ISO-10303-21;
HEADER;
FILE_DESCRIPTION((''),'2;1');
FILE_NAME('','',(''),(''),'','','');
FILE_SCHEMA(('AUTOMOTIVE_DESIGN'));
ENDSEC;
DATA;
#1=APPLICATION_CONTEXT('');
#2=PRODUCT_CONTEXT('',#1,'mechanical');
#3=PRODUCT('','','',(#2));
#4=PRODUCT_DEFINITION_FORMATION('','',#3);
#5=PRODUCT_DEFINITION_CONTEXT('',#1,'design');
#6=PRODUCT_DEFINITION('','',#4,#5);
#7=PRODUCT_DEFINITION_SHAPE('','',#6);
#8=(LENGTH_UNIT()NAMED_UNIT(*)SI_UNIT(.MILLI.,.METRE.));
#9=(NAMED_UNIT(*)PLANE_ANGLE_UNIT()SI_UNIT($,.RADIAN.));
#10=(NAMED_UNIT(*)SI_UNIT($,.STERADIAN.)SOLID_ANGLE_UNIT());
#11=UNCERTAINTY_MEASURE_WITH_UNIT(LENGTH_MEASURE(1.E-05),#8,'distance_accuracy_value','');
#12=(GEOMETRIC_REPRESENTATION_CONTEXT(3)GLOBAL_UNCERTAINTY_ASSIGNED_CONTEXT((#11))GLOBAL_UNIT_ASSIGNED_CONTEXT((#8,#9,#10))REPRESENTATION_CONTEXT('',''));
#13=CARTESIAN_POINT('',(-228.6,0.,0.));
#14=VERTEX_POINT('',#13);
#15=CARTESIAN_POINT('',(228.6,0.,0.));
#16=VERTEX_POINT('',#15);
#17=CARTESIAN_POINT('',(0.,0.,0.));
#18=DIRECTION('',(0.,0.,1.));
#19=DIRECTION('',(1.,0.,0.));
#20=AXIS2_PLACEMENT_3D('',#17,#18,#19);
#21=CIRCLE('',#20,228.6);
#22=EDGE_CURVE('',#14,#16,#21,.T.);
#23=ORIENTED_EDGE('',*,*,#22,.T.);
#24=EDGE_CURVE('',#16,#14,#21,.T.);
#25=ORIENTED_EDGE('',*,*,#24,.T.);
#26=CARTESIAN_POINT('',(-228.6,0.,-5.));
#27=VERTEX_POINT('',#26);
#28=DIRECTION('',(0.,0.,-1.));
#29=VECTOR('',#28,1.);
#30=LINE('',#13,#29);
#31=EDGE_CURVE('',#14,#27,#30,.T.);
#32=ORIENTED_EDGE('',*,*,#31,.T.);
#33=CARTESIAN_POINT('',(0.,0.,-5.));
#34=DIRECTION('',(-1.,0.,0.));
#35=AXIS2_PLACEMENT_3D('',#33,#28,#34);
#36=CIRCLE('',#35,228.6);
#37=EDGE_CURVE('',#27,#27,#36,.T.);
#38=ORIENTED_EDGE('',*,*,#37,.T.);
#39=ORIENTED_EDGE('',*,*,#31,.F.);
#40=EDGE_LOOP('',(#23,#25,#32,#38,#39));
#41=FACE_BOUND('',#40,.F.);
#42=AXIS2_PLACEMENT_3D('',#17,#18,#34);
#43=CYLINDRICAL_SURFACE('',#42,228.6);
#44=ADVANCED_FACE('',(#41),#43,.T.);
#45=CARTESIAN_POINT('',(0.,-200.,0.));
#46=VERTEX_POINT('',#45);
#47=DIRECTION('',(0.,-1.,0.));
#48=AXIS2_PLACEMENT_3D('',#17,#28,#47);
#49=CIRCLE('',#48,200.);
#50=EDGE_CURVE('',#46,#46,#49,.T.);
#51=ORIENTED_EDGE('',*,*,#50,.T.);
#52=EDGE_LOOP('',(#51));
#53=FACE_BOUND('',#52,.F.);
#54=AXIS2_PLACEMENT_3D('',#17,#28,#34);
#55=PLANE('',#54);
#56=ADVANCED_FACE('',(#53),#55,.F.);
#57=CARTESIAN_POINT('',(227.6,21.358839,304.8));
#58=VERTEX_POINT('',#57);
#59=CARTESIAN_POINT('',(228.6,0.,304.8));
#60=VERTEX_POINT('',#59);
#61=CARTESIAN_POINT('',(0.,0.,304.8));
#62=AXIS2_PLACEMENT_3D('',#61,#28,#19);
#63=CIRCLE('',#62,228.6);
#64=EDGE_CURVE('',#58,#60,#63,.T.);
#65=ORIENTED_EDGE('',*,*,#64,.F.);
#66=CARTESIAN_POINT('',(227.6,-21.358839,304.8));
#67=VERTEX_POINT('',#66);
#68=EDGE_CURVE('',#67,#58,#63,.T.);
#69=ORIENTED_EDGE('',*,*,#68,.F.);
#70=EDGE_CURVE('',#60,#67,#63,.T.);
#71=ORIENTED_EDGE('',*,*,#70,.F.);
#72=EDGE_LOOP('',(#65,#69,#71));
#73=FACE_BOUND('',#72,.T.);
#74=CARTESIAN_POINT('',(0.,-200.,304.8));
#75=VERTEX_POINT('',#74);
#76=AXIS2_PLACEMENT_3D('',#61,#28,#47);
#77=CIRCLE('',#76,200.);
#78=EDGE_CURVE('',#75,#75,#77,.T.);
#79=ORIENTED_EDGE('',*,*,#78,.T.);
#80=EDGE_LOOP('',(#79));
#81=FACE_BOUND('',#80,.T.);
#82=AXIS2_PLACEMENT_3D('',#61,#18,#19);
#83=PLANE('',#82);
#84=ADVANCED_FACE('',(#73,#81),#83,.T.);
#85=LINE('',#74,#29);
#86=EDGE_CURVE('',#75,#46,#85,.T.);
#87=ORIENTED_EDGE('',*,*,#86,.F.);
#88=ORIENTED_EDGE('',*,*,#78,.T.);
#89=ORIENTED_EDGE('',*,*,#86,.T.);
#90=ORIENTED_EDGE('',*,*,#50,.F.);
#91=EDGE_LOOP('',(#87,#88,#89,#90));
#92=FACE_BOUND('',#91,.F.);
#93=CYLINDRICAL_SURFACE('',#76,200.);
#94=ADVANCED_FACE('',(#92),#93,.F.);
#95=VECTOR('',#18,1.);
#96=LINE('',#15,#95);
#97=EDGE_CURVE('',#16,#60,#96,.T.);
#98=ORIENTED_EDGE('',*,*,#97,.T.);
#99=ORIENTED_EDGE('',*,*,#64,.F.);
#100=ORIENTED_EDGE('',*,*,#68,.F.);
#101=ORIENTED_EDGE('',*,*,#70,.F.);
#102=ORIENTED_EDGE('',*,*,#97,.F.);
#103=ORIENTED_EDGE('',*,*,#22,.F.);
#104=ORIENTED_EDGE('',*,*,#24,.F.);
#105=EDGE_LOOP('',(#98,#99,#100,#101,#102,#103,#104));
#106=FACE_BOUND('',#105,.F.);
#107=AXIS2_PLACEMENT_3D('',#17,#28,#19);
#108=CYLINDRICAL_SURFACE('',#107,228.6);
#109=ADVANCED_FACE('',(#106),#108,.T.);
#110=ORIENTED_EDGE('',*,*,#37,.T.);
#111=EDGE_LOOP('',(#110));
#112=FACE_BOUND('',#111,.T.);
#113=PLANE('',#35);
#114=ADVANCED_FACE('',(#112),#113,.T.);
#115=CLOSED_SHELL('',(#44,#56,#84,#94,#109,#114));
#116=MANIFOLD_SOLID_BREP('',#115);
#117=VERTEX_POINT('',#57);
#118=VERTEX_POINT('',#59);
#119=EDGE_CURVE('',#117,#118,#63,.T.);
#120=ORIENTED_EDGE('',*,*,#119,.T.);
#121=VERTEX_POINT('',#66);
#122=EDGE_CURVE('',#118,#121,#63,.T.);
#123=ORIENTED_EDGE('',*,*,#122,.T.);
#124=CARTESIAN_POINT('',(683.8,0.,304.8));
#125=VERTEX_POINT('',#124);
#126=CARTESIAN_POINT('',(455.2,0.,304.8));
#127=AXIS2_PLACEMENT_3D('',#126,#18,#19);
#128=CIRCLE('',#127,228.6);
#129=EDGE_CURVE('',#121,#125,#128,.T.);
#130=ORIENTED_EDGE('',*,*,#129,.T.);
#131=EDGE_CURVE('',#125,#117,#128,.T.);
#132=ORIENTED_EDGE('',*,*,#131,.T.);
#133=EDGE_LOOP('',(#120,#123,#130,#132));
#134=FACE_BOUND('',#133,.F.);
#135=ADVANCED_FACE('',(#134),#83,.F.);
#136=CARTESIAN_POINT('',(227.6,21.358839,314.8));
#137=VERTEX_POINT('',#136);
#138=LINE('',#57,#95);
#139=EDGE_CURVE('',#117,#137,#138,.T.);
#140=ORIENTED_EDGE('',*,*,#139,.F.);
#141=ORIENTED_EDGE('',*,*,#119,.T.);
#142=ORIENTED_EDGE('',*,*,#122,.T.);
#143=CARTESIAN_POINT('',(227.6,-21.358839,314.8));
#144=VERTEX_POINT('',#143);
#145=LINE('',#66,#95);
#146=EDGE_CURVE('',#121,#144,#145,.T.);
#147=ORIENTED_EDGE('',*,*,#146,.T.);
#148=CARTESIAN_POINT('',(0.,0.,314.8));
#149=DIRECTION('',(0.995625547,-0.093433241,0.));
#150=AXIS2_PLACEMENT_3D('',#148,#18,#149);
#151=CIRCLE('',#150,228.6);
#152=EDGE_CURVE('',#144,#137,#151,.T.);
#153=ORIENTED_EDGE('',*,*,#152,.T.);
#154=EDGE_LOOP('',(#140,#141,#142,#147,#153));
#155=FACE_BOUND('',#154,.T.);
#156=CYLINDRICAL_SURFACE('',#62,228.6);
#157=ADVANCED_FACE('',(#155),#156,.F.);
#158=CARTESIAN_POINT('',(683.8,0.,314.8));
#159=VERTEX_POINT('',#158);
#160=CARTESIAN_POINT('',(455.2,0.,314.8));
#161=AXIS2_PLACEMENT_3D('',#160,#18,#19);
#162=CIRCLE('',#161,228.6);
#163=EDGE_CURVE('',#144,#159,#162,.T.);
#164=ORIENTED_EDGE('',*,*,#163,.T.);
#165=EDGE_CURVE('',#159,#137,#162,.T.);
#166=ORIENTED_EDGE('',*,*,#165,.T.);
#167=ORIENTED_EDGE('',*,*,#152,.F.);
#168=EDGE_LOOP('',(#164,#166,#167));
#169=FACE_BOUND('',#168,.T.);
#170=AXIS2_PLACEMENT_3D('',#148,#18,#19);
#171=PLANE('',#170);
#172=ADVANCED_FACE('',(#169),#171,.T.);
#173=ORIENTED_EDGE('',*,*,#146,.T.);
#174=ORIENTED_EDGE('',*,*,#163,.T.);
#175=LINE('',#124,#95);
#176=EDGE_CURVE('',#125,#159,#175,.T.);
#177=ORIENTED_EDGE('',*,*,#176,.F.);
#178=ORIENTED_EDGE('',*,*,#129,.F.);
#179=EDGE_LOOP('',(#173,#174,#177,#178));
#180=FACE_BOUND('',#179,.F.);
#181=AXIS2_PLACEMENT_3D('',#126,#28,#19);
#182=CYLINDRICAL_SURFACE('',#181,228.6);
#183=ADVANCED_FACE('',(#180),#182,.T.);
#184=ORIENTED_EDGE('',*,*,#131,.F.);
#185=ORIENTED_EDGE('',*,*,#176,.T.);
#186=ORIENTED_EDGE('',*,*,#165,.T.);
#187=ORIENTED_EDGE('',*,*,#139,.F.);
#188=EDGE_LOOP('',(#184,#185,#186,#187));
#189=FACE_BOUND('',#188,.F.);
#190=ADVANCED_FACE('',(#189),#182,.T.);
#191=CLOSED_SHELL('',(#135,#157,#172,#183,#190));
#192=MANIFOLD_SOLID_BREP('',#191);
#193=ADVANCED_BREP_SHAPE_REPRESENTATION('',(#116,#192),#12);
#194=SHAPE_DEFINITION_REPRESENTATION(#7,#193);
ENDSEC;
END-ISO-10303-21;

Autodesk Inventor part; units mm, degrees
ref_plane "YZ Plane" through (0, 0, 0) normal (1, 0, 0) x (0, 1, 0)
ref_plane "XZ Plane" through (0, 0, 0) normal (0, 1, 0) x (-1, 0, 0)
ref_plane "XY Plane" through (0, 0, 0) normal (0, 0, 1) x (1, 0, 0)
sketch "Sketch1" plane through (0, 0, 0) normal (0, 0, 1) x (1, 0, 0)
  circle A0 centre (0, 0) radius 228.6
  dimension "d0" = 457.2
extrude "Extrusion1" add sketch "Sketch1" along normal blind 304.8
sketch "Sketch2" plane through (0, 0, 304.8) normal (0, 0, 1) x (1, 0, 0)
  point P0 (0, 0)
hole "Hole1" at (0, 0, 304.8) direction (0, 0, 1) diameter 457.2 end through all
sketch "Sketch3" plane through (0, 0, 0) normal (0, 0, -1) x (-1, 0, 0)
  circle A0 centre (0, 0) radius 228.6
  dimension "d10" = 457.2
hole "Hole2" at (0, 0, 0) direction (0, 0, -1) diameter 457.2 end through all
sketch "Sketch4" plane through (0, 0, 304.8) normal (0, 0, 1) x (1, 0, 0)
  circle A0 centre (0, 0) radius 200
  dimension "d18" = 400
hole "Hole3" at (0, 0, 304.8) direction (0, 0, -1) diameter 400 end through all
sketch "Sketch5" plane through (0, 0, 0) normal (0, 0, -1) x (-1, 0, 0)
  circle A0 centre (0, 0) radius 228.6
  dimension "d26" = 457.2
extrude "Extrusion2" add sketch "Sketch5" along normal blind 5
sketch "Sketch6" plane through (0, 0, 304.8) normal (0, 0, 1) x (1, 0, 0)
  circle A0 centre (0, 0) radius 228.6 projected
  line L0 (228.6, 0) -> (455.2, 0)
  circle A1 centre (455.2, 0) radius 228.6
  point P0 (227.6, -21.3588)
  point P1 (227.6, 21.3588)
  dimension "d29" = 226.6
  dimension "d30" = 457.2
extrude "Extrusion3" add sketch "Sketch6" along normal blind 10 contours A0 A1 picked at (531.7419, 7.0282)
properties part number "box"
